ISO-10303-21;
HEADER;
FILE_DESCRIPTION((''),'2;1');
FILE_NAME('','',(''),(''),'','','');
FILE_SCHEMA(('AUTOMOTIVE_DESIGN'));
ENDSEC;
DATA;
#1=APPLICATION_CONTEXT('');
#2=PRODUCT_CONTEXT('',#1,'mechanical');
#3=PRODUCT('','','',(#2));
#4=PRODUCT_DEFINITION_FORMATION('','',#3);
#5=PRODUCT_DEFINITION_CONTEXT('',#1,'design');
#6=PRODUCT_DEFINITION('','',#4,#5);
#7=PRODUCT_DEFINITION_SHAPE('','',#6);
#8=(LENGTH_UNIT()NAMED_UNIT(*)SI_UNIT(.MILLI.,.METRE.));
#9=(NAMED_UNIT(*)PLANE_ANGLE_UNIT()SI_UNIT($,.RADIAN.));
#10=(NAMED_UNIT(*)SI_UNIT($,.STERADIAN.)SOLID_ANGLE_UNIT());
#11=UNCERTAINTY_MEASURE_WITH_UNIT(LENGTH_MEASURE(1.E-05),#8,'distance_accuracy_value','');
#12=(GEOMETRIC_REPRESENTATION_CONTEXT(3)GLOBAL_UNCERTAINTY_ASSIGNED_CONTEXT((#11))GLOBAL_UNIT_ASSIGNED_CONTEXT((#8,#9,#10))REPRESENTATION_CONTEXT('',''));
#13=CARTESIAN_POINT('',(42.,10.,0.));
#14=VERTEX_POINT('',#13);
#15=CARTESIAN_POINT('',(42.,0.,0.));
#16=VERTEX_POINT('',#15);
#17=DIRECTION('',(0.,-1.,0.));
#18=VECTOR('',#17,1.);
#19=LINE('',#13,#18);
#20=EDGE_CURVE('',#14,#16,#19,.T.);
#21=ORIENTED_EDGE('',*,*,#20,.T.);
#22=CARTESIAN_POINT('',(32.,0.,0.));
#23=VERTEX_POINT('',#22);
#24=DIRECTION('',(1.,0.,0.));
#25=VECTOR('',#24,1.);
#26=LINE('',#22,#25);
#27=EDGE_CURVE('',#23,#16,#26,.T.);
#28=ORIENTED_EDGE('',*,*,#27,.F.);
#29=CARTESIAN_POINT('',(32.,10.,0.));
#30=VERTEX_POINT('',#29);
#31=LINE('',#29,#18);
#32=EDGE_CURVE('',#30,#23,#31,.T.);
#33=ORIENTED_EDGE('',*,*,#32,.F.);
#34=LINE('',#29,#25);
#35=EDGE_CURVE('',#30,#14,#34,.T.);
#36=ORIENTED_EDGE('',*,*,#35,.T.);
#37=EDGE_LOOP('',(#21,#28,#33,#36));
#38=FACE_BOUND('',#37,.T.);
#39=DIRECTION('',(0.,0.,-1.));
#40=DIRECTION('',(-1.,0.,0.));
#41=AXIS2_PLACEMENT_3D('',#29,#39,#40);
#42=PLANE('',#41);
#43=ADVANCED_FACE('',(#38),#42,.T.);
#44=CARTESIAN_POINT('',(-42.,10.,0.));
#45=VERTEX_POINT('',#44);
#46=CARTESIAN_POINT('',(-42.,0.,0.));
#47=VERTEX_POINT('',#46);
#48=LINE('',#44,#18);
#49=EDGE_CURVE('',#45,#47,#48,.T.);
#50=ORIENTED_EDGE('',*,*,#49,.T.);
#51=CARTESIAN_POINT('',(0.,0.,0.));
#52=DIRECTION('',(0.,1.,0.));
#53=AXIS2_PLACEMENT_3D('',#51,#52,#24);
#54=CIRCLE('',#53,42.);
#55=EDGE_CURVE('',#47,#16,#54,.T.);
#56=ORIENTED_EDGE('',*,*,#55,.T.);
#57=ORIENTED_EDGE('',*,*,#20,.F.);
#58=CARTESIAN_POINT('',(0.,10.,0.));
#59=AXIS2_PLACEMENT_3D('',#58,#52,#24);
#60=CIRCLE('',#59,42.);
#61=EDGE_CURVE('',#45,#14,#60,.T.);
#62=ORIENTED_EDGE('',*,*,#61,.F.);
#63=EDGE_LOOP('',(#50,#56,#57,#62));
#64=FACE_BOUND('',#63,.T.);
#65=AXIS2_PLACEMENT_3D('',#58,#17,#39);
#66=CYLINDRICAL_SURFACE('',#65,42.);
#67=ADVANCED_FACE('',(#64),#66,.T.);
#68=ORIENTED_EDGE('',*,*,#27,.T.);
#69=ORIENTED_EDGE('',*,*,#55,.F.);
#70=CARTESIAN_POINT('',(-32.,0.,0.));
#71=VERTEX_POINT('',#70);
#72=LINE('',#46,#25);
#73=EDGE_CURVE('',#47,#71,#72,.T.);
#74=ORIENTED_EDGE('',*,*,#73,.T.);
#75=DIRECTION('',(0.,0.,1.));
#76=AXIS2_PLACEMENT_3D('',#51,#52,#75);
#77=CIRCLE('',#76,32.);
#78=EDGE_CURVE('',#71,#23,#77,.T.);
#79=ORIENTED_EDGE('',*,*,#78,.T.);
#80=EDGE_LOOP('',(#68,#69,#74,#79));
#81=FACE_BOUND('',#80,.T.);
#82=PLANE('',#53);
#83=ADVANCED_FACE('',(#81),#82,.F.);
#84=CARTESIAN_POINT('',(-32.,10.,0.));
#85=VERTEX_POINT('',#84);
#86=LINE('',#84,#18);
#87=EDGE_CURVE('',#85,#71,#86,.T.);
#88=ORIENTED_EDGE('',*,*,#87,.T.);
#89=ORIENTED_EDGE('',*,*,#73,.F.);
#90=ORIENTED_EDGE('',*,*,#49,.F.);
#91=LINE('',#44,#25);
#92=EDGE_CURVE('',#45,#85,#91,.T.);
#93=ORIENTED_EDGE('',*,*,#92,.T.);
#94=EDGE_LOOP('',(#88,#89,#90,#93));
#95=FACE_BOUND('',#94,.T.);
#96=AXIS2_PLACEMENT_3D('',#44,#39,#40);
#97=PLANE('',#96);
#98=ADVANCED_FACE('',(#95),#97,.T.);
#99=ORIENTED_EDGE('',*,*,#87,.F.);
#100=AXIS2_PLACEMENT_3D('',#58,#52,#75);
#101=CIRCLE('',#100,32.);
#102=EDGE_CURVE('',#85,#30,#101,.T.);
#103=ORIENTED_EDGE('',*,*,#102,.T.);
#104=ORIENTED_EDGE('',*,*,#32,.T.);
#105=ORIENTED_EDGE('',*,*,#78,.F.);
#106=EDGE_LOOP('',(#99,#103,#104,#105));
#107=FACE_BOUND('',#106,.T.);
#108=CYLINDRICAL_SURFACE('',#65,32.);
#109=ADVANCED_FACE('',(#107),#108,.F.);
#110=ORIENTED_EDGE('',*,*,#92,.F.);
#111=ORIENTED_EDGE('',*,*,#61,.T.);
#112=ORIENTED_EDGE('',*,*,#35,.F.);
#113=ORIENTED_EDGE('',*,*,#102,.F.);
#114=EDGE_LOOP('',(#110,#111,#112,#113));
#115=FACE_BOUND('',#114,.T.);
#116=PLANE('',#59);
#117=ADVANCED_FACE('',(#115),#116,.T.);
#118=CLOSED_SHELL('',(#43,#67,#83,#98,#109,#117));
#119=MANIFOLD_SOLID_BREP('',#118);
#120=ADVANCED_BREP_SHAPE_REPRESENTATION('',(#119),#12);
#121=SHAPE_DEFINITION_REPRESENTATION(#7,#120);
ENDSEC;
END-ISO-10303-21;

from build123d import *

# Parameters (mm, degrees)
EXTRUDE_1_DEPTH = 10


with BuildPart() as part:
    # Эскиз1 → Вытянуть-Тонкостенный1 (new body)
    with BuildSketch(Plane(origin=(0, 0, 0), x_dir=(1, 0, 0), z_dir=(0, 1, 0))):
        with BuildLine():
            ThreePointArc((-32, 0), (0, -32), (32, 0))
            Line((32, 0), (42, 0))
            ThreePointArc((42, 0), (0, -42), (-42, 0))
            Line((-42, 0), (-32, 0))
        make_face()
    extrude(amount=EXTRUDE_1_DEPTH)


solid = part.part
